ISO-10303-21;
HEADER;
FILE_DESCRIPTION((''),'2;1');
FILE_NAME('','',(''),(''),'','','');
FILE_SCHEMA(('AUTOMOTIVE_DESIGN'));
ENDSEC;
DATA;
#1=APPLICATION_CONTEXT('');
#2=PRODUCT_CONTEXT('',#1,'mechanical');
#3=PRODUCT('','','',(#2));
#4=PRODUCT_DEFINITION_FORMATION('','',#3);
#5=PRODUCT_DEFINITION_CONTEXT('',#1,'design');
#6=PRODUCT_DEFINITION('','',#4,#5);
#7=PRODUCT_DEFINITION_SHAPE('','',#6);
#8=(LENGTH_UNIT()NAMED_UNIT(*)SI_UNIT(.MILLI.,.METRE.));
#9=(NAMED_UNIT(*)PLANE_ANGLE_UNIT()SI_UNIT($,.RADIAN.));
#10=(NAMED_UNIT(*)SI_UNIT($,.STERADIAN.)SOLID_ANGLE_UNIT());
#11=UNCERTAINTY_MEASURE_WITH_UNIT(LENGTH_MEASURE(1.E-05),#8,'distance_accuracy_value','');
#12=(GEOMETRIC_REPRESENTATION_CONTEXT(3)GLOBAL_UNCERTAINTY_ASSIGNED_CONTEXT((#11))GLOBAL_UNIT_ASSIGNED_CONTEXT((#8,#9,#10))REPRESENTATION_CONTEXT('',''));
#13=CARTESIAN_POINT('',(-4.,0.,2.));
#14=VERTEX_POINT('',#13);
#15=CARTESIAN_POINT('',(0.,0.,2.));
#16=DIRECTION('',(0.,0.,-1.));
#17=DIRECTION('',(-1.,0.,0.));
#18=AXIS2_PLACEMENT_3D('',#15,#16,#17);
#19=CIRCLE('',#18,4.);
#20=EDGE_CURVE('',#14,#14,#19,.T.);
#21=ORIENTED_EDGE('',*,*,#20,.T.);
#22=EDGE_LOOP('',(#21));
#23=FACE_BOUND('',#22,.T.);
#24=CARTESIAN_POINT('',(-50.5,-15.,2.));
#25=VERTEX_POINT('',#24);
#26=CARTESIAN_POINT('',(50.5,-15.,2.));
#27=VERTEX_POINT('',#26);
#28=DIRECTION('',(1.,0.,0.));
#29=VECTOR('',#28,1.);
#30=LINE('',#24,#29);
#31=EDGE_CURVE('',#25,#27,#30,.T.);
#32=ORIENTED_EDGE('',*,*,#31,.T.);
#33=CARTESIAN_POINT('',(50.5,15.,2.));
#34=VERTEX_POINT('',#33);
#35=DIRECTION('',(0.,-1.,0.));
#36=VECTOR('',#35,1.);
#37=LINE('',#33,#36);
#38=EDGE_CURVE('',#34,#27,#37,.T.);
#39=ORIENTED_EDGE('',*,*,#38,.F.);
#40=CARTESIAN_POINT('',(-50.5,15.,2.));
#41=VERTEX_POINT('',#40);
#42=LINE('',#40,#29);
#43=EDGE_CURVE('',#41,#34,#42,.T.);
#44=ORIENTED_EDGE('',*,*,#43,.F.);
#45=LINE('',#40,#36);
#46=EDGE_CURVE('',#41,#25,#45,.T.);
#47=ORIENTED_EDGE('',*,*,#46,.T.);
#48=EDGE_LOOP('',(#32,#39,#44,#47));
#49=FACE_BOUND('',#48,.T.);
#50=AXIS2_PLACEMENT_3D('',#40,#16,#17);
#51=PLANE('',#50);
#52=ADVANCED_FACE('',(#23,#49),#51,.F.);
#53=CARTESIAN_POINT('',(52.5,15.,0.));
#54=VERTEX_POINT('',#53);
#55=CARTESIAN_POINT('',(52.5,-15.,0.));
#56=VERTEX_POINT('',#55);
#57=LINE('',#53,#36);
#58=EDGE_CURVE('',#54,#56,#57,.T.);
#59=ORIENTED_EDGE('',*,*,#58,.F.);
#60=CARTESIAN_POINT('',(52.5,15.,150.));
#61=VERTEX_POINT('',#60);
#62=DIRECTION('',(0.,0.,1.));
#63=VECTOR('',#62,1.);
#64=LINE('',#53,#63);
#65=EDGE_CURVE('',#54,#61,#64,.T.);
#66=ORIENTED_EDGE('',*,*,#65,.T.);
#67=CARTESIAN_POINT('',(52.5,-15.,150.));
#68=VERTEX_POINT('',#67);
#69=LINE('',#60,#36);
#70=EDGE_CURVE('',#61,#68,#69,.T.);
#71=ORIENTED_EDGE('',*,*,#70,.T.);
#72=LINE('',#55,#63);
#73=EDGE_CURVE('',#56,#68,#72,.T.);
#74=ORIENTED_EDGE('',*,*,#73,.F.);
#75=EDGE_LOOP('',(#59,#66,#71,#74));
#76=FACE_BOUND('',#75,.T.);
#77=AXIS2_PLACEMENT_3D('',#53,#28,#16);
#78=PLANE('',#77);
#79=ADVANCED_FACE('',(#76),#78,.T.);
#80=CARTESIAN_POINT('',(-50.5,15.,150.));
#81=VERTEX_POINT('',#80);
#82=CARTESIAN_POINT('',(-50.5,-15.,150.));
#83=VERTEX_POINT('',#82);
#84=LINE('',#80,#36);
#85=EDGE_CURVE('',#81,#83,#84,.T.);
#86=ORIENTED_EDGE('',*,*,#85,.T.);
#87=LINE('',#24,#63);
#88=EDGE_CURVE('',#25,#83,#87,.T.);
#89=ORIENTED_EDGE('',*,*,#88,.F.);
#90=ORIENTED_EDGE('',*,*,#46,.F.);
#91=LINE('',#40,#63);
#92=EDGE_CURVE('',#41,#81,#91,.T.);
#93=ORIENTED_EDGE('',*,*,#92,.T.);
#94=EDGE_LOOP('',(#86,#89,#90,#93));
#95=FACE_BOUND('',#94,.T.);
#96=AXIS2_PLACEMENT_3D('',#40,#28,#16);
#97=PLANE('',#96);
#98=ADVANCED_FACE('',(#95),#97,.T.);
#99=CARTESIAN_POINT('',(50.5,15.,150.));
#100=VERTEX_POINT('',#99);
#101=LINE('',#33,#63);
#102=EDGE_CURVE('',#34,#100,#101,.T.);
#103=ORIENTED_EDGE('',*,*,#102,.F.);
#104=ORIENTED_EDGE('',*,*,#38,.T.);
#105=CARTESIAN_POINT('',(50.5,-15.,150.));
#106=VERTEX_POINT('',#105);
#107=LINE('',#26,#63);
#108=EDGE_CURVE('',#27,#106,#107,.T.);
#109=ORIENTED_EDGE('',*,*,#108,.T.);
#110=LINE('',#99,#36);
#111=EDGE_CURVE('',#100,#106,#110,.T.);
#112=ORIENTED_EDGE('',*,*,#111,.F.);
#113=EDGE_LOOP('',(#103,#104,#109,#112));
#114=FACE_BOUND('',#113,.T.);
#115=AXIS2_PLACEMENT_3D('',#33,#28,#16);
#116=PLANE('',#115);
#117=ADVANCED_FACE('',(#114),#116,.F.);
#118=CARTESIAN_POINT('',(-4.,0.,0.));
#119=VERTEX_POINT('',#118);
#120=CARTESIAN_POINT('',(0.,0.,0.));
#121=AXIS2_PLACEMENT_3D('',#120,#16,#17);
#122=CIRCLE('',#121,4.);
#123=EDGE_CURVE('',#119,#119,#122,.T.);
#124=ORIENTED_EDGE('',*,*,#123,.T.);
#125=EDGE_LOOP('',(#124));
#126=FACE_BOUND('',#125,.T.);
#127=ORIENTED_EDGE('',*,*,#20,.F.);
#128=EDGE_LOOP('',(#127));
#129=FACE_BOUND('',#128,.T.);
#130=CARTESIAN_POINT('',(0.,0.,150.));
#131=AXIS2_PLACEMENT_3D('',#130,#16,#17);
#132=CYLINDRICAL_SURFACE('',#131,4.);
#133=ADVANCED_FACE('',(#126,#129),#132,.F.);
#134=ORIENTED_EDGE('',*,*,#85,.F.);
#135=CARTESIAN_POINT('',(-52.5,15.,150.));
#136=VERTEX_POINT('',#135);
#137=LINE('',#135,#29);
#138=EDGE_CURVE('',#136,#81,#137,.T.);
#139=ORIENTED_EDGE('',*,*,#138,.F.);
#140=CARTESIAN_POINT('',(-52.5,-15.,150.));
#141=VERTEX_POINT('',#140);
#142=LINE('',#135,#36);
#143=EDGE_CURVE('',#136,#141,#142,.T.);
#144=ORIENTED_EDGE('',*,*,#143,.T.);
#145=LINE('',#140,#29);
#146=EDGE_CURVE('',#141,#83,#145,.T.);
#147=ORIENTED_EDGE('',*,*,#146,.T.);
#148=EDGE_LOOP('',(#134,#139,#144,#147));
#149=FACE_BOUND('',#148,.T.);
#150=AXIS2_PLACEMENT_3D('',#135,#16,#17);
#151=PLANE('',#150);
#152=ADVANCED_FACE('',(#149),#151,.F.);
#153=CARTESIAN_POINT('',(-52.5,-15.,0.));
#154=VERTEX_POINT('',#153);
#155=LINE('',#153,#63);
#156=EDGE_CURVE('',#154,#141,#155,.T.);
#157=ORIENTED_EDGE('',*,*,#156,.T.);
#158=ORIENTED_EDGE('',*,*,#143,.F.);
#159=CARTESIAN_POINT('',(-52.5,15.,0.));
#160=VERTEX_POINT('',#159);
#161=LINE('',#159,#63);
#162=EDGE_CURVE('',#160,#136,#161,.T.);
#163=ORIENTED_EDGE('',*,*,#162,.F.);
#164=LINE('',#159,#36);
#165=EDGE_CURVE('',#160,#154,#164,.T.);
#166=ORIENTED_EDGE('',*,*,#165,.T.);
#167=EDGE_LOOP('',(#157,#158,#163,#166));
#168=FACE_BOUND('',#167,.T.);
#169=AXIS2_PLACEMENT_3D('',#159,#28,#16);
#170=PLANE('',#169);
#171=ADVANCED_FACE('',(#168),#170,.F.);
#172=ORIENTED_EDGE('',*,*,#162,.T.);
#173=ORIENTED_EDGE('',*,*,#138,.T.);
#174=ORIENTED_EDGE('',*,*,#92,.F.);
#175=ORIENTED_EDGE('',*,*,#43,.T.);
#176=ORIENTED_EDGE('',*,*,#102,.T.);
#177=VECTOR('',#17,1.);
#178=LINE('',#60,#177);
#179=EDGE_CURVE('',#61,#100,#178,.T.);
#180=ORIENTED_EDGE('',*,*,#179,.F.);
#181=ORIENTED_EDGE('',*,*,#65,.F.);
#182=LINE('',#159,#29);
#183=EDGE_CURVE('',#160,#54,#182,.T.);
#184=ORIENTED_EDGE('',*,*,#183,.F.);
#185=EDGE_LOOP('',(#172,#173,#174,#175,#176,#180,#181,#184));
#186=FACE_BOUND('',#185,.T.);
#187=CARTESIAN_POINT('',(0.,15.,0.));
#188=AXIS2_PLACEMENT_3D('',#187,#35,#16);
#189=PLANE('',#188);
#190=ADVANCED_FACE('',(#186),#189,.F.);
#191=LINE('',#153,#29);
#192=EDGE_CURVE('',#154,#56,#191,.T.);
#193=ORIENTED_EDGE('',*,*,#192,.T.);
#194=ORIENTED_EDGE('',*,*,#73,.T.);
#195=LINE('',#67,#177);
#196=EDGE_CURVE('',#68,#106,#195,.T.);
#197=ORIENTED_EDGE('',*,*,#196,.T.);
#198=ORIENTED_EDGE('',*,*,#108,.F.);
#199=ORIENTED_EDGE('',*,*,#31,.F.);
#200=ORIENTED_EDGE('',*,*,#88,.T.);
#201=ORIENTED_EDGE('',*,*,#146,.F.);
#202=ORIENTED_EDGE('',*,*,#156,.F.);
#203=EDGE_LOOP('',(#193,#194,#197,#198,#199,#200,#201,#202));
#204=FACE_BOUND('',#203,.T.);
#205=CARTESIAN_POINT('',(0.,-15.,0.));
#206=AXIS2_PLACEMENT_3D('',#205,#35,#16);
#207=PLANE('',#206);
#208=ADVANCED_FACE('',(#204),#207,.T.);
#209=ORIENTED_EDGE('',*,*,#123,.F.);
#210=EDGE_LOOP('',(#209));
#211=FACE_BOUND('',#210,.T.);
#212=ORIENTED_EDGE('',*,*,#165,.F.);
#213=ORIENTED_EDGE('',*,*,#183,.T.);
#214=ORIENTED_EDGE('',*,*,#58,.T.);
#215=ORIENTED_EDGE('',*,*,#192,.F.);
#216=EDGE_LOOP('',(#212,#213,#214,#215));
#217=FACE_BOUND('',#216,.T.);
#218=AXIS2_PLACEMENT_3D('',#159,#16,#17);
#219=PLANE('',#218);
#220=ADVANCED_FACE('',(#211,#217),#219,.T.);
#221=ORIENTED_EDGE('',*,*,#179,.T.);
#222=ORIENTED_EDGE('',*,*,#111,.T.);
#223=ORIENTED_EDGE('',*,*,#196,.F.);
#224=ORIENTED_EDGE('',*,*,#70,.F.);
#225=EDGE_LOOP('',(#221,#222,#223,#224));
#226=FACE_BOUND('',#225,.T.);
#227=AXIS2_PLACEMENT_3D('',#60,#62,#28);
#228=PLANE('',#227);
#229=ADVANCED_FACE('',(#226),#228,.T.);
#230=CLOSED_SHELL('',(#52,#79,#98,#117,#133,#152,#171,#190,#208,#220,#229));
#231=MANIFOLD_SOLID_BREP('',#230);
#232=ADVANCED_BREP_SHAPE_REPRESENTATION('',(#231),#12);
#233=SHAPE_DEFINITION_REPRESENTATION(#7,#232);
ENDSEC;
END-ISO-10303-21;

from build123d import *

# Parameters (mm, degrees)
BOSS_EXTRUDE1_DEPTH = 15
SKETCH2_R           = 4
CUT_EXTRUDE1_DEPTH  = 160.628474903


with BuildPart() as part:
    # Sketch1 → Boss-Extrude1 (new, symmetric)
    with BuildSketch(Plane(origin=(0, 0, 0), x_dir=(1, 0, 0), z_dir=(0, 1, 0))):
        Polygon((50.5, -2), (50.5, -150), (52.5, -150), (52.5, 0), (-52.5, 0), (-52.5, -150), (-50.5, -150), (-50.5, -2), align=None)
    extrude(amount=BOSS_EXTRUDE1_DEPTH, both=True)

    # Sketch2 → Cut-Extrude1 (cut, through all)
    with BuildSketch(Plane(origin=(0, 0, 0), x_dir=(-1, 0, 0), z_dir=(0, 0, -1))):
        Circle(SKETCH2_R)
    extrude(amount=-CUT_EXTRUDE1_DEPTH, mode=Mode.SUBTRACT)


solid = part.part
